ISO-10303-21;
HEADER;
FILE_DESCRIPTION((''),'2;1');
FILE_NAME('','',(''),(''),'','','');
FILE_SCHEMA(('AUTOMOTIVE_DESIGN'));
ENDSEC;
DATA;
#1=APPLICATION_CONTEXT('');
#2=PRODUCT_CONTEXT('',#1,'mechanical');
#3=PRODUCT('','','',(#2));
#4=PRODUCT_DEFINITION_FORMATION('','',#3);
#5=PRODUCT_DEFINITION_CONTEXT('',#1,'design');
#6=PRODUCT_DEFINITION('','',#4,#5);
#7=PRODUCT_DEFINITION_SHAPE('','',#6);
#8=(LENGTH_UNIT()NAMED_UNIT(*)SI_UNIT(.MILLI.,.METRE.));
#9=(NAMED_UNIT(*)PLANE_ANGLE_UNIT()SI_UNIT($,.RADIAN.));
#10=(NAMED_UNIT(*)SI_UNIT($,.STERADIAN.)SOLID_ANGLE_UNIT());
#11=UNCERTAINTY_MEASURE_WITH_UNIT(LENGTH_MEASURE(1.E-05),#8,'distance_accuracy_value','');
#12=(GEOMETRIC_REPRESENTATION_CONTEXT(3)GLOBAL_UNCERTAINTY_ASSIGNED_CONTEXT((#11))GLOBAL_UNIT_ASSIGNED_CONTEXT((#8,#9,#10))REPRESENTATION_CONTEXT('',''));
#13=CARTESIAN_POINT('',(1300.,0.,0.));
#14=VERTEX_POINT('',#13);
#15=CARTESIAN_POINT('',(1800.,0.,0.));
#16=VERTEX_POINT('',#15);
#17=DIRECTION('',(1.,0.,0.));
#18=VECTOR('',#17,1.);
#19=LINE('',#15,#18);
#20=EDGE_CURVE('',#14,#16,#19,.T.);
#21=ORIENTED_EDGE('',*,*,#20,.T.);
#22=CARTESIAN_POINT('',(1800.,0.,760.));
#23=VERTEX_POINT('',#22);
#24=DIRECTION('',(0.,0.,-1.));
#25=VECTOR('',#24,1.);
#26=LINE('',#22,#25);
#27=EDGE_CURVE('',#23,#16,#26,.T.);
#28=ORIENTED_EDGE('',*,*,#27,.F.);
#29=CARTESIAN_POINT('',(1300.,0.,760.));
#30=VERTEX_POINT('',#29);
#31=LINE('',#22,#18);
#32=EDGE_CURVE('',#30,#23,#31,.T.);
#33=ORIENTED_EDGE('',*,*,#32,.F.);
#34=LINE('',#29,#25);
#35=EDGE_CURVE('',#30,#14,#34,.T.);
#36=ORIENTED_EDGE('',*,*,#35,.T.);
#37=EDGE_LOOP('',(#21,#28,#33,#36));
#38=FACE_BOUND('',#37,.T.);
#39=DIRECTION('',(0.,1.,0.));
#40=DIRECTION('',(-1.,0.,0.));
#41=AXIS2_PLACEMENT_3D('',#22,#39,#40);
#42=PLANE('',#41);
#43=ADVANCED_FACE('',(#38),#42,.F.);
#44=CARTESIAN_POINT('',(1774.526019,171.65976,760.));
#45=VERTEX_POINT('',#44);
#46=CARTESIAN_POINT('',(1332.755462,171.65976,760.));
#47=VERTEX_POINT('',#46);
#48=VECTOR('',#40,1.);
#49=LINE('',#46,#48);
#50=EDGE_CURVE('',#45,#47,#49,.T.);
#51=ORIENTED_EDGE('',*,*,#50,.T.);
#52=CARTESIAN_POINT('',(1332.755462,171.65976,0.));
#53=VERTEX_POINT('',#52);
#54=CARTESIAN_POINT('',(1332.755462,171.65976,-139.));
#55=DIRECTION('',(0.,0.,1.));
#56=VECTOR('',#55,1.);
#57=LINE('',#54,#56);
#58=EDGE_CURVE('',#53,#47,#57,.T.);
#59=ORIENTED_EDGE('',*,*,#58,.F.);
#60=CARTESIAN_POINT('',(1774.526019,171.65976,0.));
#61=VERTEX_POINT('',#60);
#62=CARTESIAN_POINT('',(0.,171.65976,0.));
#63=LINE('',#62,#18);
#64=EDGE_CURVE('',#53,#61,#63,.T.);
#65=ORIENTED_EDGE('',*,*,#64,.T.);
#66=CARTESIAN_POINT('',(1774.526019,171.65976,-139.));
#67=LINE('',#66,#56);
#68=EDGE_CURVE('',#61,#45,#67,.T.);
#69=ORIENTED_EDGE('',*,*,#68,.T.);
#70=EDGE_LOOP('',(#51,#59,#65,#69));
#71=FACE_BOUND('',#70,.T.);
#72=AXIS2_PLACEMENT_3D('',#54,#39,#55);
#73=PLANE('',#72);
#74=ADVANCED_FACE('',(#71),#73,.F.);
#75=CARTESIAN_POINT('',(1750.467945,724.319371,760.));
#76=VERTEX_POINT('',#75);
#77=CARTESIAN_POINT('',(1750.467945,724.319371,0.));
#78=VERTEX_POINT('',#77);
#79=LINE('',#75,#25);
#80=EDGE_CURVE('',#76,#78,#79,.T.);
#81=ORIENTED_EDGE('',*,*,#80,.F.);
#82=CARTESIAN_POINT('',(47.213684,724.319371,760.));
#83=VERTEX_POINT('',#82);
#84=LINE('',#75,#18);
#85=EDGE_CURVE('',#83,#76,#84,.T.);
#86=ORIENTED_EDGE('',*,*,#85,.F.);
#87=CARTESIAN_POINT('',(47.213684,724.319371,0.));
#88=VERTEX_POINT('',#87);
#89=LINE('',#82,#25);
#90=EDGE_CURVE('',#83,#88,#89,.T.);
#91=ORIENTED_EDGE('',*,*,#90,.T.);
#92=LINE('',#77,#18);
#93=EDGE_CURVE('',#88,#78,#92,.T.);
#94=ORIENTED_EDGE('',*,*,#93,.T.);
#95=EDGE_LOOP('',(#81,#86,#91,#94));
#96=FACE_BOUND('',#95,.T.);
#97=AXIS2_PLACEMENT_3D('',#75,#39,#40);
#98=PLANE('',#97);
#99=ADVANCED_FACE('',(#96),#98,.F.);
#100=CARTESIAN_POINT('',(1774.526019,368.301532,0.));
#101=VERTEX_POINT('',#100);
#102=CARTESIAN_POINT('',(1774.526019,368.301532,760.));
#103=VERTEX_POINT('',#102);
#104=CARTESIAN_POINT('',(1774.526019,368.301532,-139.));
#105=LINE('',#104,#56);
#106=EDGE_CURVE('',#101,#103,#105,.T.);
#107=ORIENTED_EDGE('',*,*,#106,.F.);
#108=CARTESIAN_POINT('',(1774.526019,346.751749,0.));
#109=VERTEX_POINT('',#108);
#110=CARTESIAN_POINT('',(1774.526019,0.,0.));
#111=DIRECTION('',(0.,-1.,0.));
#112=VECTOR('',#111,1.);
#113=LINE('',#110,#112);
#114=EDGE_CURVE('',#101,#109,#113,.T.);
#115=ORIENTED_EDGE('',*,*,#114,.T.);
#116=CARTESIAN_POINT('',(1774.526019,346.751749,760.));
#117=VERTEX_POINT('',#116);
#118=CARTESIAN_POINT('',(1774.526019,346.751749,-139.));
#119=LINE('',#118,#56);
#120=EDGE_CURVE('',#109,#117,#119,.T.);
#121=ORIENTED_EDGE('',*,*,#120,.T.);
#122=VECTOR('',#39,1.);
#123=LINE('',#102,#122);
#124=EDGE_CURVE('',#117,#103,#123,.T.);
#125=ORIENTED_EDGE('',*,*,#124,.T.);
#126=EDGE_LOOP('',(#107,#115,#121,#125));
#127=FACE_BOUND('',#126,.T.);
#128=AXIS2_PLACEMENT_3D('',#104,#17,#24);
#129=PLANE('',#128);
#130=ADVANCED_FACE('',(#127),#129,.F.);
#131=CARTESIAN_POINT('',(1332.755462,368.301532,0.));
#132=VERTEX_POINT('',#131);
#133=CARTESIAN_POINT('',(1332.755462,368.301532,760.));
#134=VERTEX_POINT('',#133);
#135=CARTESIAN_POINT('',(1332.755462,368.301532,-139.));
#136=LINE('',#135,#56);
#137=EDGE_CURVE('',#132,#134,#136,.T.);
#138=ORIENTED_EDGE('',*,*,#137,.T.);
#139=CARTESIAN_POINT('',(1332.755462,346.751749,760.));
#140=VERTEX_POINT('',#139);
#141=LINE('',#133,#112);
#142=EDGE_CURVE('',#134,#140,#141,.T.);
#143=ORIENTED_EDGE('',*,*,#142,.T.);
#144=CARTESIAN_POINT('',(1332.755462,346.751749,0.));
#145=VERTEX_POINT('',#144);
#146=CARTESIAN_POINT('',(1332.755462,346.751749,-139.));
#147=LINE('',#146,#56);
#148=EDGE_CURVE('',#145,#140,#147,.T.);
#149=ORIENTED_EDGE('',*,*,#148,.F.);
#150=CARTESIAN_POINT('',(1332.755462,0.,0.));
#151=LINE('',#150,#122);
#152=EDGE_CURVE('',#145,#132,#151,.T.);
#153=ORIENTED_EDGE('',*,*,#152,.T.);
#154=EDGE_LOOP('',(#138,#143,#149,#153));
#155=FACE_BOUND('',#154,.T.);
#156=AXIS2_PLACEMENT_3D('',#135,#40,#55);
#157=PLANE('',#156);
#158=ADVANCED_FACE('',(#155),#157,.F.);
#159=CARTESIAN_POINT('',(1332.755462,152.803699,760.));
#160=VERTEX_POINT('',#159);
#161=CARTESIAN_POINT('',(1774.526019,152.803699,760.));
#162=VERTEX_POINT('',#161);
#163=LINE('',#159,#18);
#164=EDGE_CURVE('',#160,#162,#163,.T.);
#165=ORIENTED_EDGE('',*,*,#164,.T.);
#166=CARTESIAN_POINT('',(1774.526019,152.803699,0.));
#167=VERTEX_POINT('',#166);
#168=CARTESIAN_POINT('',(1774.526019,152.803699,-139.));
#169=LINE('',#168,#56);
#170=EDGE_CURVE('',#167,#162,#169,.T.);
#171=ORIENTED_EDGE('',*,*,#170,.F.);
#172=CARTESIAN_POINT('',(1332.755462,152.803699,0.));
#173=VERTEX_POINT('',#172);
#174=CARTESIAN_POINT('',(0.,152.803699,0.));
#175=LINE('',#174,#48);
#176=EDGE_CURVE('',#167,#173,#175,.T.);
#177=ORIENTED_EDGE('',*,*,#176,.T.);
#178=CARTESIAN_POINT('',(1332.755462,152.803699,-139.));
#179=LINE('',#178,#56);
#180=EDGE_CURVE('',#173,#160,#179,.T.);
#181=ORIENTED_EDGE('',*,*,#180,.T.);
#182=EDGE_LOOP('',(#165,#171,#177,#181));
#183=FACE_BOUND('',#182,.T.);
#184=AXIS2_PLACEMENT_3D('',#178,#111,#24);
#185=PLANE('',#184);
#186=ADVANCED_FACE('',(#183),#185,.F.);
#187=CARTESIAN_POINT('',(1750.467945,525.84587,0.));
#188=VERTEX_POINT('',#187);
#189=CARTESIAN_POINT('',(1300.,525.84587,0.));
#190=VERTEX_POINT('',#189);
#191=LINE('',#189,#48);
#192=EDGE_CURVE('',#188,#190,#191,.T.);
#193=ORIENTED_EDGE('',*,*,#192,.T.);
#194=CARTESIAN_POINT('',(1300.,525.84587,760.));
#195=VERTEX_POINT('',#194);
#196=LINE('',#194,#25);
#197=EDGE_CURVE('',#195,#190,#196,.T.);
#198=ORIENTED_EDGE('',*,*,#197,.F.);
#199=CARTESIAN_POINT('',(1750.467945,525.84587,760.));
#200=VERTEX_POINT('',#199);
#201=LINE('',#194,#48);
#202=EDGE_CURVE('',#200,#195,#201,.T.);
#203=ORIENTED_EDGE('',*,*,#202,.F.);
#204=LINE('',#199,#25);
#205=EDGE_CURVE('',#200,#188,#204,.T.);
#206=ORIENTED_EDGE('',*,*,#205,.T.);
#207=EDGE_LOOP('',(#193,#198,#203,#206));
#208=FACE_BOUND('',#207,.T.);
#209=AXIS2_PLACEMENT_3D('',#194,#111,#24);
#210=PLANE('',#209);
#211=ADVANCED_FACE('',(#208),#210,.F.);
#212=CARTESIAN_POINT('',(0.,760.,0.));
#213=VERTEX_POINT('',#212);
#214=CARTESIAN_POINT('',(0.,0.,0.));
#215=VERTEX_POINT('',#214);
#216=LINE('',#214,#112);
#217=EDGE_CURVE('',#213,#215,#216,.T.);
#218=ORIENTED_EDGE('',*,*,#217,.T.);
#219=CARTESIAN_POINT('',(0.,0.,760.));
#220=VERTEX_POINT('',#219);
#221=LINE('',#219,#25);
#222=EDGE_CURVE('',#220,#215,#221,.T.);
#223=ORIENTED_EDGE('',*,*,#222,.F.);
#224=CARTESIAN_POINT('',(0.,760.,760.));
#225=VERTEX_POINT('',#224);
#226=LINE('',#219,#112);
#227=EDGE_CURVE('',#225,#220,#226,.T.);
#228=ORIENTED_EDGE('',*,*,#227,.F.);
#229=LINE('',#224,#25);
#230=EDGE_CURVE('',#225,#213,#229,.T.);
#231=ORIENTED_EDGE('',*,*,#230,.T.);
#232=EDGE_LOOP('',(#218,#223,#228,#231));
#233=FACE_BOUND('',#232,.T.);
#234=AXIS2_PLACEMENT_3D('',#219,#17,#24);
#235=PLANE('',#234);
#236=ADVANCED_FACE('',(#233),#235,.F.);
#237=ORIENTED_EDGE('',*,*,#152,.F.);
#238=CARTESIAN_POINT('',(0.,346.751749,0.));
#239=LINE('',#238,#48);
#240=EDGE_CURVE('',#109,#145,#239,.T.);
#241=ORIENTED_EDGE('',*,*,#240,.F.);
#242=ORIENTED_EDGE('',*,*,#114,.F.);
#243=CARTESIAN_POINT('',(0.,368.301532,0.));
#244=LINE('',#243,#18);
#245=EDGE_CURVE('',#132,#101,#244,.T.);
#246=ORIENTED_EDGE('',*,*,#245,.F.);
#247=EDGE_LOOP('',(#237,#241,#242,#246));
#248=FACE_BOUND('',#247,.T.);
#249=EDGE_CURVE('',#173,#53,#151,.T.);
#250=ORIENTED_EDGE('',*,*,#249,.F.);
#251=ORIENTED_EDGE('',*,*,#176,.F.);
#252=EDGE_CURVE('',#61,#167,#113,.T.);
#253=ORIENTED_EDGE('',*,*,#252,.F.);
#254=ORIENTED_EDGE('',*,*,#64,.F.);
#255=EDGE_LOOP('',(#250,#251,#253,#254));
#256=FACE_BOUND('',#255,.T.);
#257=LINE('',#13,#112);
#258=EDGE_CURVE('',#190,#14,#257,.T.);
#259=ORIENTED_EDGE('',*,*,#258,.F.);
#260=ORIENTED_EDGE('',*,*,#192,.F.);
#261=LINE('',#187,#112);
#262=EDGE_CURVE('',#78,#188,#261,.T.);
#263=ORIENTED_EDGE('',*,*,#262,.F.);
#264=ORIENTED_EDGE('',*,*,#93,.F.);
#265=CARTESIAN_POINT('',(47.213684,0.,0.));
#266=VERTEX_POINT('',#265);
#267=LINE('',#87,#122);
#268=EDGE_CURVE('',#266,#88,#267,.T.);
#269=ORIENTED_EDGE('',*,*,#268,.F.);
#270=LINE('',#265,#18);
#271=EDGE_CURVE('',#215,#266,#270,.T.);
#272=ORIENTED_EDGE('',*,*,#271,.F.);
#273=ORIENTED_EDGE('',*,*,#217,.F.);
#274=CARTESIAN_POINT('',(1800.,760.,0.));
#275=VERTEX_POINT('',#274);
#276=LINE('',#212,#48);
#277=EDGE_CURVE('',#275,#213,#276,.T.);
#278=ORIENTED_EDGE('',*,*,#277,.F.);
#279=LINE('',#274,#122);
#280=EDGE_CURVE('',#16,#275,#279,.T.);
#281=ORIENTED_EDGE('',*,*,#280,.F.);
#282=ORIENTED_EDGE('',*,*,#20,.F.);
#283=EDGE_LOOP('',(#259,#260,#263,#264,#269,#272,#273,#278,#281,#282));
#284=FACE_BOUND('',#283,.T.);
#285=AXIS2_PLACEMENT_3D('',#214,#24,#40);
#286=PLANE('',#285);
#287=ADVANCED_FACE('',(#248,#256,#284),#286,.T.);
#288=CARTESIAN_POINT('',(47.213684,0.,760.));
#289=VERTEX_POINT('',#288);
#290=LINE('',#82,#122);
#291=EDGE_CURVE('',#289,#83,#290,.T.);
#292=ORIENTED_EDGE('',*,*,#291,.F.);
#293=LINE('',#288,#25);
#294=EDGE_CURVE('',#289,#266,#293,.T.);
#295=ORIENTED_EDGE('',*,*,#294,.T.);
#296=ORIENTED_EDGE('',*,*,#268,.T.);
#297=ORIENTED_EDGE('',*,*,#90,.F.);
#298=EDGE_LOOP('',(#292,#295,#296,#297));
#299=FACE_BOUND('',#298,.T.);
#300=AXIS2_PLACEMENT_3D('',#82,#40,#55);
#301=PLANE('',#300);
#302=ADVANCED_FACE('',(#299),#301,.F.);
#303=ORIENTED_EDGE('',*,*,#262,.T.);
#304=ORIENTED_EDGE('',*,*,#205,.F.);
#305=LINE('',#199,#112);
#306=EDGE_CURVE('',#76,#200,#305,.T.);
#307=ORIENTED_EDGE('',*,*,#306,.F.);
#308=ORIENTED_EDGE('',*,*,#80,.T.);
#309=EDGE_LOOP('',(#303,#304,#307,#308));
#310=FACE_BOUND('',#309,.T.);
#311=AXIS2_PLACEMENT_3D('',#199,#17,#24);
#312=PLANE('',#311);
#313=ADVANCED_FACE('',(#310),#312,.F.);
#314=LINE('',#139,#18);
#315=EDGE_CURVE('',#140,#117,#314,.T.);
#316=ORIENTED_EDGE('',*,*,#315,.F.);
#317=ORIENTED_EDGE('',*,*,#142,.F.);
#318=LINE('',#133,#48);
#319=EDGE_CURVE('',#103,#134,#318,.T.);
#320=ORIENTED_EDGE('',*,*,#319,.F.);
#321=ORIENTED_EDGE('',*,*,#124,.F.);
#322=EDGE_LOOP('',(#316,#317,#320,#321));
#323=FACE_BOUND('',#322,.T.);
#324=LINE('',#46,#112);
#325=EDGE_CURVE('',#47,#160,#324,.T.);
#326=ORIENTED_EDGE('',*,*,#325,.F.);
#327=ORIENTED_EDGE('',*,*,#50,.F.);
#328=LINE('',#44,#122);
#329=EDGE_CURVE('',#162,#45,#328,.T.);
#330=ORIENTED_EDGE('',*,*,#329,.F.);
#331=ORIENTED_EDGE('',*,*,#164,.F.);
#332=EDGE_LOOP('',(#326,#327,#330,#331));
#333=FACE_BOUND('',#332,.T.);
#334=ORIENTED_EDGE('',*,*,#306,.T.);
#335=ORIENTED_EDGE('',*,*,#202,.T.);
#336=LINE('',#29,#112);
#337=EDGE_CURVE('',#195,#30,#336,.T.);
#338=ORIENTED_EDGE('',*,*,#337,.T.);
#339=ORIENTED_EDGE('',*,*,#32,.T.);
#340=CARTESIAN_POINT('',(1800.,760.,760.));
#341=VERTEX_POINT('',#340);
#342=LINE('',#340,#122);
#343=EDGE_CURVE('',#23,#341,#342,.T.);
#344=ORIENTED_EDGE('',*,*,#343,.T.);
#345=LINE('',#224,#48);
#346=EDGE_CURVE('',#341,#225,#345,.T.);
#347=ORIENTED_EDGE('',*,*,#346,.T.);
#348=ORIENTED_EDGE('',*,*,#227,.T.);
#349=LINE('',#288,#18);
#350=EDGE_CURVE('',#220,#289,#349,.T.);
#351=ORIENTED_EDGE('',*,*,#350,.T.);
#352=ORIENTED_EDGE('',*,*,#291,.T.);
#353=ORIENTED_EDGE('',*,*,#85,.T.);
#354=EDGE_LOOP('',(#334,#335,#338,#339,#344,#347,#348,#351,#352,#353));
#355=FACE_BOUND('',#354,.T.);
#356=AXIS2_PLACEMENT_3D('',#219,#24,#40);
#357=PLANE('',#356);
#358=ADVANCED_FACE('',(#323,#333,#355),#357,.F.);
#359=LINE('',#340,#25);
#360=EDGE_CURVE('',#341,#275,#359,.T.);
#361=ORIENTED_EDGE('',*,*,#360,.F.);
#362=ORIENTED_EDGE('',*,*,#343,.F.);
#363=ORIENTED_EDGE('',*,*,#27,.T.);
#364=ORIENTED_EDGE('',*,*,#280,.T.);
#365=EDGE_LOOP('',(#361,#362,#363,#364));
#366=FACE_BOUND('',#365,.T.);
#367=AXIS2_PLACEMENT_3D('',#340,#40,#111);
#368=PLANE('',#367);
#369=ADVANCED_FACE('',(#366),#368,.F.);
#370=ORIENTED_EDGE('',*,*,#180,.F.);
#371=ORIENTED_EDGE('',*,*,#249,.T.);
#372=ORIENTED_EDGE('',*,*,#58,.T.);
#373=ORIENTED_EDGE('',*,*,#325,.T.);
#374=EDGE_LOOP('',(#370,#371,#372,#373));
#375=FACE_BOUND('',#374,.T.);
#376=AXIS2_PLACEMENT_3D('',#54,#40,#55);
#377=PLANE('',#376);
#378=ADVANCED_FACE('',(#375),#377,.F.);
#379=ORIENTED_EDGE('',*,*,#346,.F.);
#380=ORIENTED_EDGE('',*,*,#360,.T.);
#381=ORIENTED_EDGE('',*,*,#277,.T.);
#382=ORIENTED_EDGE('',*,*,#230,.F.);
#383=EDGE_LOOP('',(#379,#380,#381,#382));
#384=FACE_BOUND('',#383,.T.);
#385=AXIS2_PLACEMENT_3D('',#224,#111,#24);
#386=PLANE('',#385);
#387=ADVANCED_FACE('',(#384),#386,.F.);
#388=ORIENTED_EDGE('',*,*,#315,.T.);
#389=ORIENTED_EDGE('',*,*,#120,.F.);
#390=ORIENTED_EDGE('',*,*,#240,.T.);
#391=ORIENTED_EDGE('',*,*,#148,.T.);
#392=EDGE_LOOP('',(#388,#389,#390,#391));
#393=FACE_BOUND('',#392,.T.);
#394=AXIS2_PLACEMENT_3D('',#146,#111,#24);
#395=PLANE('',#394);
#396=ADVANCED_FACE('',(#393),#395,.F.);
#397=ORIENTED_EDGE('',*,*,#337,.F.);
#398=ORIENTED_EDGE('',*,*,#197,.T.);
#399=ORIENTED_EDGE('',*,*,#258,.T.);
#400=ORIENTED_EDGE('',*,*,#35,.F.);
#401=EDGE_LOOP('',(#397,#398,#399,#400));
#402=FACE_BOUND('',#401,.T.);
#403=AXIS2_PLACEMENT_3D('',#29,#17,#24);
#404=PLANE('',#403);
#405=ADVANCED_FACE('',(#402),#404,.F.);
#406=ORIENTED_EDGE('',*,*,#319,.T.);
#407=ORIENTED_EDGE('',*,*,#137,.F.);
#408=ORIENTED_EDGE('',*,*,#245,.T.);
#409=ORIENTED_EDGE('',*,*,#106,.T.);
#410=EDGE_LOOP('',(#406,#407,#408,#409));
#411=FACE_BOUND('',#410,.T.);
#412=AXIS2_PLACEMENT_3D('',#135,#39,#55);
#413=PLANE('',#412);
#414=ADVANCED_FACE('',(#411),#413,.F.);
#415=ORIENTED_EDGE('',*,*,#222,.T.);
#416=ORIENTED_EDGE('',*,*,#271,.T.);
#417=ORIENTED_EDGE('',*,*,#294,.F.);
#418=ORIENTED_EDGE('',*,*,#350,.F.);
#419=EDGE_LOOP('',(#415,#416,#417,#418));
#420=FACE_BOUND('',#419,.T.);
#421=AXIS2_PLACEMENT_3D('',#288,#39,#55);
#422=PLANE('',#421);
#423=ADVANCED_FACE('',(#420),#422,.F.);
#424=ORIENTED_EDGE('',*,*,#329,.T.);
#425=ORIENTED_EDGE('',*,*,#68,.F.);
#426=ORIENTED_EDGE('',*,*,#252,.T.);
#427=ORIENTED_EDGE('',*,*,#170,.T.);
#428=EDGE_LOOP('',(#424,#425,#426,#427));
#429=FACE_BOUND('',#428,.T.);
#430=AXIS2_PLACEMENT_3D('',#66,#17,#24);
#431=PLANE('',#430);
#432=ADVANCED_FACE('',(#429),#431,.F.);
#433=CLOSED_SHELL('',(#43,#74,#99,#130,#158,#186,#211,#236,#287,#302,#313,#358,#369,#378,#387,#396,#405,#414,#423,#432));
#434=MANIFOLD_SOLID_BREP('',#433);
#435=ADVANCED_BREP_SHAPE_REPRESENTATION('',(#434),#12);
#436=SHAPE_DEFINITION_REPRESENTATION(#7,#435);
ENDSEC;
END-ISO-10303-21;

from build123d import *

# Parameters (mm, degrees)
SALIENTE_EXTRUIR1_DEPTH = 760
CROQUIS3_W              = 441.770557025
CROQUIS3_H              = 21.549783269
CROQUIS3_H_2            = 18.85606036
CORTAR_EXTRUIR1_DEPTH   = 899


with BuildPart() as part:
    # Croquis2 → Saliente-Extruir1 (new body)
    with BuildSketch(Plane.XY):
        Polygon((0, 0), (0, 760), (1800, 760), (1800, 0), (1300, 0), (1300, 525.845869983), (1750.467945366, 525.845869983), (1750.467945366, 724.319370664), (47.213684499, 724.319370664), (47.213684499, 0), align=None)
    extrude(amount=SALIENTE_EXTRUIR1_DEPTH)

    # Croquis3 → Cortar-Extruir1 (cut)
    with BuildSketch(Plane.XY.offset(760)):
        with Locations((1553.640740137, 357.52664055)):
            Rectangle(CROQUIS3_W, CROQUIS3_H)
        with Locations((1553.640740137, 162.23172967)):
            Rectangle(CROQUIS3_W, CROQUIS3_H_2)
    extrude(amount=-CORTAR_EXTRUIR1_DEPTH, mode=Mode.SUBTRACT)


solid = part.part
